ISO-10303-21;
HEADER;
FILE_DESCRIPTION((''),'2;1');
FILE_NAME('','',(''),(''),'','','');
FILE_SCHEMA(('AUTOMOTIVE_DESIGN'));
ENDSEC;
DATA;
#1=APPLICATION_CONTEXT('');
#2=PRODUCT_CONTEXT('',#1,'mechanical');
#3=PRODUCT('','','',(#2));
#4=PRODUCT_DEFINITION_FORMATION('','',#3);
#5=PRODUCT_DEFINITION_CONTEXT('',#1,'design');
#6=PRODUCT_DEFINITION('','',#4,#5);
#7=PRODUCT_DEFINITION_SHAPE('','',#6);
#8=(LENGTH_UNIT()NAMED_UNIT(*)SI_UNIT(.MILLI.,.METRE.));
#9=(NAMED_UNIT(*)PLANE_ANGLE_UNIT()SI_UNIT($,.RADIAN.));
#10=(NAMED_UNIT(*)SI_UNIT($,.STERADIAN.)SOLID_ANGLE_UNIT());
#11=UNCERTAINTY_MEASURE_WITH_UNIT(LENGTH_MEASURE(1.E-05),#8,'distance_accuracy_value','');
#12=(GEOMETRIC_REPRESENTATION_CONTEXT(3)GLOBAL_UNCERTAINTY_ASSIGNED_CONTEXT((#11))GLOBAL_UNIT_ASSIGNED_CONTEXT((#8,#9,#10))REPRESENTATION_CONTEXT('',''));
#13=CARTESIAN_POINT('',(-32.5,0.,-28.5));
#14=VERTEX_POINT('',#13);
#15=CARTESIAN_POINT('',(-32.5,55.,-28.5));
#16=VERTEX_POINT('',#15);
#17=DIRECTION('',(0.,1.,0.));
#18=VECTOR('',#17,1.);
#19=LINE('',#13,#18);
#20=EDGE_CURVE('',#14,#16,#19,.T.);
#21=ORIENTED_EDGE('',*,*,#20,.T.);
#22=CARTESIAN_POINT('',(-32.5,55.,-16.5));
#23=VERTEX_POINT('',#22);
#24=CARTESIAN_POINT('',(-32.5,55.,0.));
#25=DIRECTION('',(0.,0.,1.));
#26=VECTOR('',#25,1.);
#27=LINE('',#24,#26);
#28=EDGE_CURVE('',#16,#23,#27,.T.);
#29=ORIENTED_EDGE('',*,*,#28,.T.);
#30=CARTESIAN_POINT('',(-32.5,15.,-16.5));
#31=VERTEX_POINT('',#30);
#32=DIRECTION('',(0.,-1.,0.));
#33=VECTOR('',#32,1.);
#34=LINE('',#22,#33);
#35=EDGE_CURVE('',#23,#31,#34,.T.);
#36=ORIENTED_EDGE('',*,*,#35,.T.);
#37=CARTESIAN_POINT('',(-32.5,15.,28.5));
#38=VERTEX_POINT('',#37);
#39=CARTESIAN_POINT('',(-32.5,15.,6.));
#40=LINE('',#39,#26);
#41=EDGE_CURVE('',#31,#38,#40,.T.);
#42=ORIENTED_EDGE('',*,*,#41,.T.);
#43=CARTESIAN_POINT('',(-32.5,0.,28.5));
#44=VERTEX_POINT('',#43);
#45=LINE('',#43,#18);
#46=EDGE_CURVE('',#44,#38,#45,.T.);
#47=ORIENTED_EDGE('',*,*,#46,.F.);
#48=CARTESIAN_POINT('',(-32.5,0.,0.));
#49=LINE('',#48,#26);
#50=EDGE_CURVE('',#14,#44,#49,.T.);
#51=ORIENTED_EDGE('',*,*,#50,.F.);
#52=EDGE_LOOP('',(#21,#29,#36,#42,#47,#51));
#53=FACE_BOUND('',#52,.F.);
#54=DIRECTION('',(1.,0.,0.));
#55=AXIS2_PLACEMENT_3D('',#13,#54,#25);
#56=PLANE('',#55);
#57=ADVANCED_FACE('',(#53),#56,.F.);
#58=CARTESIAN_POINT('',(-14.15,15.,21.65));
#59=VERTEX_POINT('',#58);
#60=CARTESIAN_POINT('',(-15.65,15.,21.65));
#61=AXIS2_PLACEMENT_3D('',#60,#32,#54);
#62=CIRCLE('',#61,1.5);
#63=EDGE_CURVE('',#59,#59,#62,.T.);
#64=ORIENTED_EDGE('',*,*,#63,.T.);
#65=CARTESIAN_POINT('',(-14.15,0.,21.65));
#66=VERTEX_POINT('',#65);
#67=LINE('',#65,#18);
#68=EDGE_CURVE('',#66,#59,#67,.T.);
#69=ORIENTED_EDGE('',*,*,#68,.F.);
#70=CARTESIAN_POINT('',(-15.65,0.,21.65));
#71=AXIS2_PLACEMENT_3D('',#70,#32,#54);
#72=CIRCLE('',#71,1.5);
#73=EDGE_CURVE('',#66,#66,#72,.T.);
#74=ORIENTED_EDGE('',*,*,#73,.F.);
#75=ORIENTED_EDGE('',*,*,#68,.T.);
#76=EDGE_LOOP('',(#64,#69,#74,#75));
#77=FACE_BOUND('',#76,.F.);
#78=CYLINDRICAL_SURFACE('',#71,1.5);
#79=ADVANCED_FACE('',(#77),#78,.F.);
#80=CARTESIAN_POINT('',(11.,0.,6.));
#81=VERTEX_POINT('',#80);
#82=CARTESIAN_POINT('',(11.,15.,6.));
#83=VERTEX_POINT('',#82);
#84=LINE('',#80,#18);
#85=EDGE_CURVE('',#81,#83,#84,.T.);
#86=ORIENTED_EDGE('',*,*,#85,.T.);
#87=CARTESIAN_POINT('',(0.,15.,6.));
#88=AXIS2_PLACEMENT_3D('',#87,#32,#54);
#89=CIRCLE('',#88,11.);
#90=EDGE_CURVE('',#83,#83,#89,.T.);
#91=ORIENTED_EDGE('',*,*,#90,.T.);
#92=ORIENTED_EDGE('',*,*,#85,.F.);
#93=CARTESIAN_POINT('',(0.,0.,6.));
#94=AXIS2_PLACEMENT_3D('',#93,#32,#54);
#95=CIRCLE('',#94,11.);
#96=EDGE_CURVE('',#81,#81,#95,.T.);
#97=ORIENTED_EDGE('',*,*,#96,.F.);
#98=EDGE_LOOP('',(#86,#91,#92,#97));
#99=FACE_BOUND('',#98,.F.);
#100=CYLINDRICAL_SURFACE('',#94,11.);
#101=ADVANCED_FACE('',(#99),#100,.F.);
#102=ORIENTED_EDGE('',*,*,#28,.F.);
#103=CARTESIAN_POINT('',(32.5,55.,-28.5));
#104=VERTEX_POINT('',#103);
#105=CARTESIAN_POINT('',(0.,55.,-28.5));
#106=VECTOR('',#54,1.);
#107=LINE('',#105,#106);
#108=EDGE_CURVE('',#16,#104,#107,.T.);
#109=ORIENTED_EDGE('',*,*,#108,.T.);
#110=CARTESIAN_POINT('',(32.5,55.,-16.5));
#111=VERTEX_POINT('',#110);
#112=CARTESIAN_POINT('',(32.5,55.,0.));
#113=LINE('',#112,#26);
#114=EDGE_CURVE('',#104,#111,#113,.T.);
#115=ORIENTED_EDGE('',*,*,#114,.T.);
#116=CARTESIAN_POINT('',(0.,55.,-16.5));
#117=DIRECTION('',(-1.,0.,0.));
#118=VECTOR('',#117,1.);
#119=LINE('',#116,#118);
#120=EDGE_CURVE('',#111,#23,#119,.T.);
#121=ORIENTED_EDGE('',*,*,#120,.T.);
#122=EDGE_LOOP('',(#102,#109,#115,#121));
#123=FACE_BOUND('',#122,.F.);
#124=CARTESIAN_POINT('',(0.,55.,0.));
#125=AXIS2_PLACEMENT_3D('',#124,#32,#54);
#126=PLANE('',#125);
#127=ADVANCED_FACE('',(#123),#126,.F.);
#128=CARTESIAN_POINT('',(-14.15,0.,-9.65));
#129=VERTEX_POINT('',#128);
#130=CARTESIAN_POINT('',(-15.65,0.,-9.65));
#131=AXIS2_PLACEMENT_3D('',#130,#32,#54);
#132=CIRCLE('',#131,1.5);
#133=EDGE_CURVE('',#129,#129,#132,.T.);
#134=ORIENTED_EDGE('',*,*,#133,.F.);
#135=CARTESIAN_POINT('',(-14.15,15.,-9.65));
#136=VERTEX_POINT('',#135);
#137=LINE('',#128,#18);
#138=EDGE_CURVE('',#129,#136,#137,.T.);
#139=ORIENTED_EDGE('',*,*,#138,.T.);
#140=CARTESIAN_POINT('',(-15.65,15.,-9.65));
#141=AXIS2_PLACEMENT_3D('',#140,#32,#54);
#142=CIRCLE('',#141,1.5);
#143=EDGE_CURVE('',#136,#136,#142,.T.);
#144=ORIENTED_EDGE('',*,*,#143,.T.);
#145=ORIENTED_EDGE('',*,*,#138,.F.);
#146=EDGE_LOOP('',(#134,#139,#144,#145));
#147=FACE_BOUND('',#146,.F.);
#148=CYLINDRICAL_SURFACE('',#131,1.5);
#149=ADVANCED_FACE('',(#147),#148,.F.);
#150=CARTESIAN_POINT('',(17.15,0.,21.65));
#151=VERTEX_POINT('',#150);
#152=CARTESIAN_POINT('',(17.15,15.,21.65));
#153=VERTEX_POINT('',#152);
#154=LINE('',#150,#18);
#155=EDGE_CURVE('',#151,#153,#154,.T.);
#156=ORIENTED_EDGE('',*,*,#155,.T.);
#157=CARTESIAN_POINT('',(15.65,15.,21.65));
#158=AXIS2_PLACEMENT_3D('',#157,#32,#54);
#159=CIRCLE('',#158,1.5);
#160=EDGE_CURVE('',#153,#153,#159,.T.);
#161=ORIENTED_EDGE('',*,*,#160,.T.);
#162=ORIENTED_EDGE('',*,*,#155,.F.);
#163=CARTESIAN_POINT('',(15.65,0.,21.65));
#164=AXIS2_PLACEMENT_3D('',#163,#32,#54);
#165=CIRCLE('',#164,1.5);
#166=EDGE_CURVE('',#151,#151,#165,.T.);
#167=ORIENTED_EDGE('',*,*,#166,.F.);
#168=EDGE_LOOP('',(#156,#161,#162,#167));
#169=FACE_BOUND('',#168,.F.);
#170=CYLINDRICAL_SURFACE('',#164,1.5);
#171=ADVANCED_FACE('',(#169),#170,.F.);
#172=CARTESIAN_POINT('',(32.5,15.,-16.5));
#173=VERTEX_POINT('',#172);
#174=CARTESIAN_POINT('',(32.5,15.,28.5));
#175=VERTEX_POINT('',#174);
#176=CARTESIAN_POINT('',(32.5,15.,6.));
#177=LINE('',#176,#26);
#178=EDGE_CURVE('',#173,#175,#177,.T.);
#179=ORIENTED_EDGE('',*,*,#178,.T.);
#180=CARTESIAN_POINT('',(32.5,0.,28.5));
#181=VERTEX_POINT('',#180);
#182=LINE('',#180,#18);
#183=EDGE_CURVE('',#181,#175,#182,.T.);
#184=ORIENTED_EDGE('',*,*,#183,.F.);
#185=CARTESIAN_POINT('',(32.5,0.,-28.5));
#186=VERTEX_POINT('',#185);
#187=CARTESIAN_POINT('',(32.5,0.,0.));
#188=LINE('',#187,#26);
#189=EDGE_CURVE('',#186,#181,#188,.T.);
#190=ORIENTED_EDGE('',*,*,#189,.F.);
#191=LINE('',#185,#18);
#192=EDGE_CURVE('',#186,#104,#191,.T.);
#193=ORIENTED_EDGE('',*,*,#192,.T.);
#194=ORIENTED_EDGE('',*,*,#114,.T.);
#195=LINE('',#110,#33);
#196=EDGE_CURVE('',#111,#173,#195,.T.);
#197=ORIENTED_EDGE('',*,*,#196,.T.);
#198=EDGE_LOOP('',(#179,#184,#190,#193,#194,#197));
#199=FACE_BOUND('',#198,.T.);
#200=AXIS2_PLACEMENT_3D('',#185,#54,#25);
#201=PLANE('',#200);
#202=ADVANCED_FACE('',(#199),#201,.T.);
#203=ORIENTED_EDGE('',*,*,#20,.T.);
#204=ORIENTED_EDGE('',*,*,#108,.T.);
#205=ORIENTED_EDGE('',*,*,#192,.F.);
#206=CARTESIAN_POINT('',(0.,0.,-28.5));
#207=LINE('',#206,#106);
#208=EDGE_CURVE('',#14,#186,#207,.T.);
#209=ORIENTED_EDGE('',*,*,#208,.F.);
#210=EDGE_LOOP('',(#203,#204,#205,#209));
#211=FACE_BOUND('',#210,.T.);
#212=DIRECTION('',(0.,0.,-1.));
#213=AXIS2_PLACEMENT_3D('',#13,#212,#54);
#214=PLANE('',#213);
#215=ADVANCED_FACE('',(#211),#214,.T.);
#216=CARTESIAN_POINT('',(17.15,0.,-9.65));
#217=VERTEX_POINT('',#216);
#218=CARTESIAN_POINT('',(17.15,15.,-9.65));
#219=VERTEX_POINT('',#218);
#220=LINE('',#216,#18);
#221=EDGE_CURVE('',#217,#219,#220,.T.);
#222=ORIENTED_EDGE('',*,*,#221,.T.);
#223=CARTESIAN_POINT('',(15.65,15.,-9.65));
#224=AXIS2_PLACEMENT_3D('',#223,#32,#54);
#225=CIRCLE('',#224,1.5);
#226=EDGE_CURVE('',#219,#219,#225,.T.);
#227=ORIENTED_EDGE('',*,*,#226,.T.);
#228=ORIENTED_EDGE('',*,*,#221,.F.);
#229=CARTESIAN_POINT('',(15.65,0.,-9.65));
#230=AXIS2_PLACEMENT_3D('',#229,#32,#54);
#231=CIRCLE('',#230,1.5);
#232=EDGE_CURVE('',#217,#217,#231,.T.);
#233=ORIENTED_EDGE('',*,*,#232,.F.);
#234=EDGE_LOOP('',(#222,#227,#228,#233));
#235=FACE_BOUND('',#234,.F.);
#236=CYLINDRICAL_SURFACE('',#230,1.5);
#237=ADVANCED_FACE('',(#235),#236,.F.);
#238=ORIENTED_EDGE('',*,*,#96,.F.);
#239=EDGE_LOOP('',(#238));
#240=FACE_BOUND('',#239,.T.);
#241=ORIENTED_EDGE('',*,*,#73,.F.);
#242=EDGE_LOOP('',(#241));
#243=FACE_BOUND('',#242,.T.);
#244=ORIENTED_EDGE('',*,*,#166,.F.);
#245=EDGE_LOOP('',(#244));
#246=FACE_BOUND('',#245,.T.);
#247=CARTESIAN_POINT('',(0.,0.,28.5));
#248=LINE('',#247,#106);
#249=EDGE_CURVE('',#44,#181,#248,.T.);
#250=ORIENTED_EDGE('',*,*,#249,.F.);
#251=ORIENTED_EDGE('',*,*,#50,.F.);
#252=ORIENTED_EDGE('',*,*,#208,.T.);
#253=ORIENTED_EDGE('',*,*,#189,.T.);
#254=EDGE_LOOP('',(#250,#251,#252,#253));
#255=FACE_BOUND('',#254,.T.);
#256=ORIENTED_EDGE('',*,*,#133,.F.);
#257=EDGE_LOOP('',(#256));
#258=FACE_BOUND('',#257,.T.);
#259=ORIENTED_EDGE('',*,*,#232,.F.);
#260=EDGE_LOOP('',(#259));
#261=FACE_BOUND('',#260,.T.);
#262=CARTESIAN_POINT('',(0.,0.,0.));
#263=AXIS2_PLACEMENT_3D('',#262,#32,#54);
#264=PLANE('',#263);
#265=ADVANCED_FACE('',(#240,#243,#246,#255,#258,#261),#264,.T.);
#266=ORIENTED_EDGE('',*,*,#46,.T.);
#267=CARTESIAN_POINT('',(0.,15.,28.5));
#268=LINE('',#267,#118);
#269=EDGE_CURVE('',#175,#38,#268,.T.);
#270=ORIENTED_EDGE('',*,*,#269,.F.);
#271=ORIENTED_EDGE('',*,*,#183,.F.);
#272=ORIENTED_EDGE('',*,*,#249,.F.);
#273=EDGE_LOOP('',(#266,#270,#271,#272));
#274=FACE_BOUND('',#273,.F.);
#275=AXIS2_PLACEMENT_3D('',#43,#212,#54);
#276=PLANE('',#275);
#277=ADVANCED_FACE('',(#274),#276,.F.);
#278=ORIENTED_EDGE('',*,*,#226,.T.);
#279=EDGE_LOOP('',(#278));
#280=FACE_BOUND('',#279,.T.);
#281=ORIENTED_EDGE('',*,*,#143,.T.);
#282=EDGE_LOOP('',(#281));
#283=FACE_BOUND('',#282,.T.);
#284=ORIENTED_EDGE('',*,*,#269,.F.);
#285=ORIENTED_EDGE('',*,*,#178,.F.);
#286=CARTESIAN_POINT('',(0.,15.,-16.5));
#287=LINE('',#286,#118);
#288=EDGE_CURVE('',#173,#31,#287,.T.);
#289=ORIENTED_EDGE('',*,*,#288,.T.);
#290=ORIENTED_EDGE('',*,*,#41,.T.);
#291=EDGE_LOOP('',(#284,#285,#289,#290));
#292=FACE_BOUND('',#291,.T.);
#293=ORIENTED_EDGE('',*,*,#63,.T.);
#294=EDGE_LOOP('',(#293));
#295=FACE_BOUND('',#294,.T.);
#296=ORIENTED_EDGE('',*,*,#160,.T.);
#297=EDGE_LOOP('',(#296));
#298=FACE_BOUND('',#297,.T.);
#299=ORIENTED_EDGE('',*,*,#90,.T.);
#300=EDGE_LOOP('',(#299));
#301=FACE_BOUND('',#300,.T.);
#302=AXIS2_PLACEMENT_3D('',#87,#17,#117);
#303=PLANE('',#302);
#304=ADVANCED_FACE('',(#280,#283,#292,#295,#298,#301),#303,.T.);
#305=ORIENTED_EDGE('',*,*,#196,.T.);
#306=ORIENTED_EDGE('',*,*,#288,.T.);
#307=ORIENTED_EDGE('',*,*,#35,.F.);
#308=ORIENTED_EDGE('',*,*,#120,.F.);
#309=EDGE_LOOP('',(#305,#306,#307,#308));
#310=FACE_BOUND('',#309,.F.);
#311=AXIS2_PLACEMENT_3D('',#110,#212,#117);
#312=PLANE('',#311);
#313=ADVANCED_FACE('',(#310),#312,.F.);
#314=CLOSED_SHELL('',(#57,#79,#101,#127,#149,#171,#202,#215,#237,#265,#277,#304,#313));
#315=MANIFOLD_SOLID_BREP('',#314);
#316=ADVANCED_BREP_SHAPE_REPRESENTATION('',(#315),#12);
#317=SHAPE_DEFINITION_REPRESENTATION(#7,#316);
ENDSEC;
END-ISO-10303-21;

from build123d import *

# Parameters (mm, degrees)
F0_W      = 65
F0_H      = 57
F1_DEPTH  = 55
F2_W      = 65
F2_H      = 45
F3_DEPTH  = 40
F4_R      = 11
F5_DEPTH  = 15
F6_R      = 1.5
F10_DEPTH = 15
F7_R      = 1.5
F11_DEPTH = 15
F8_R      = 1.5
F12_DEPTH = 15
F9_R      = 1.5
F13_DEPTH = 15


with BuildPart() as f1:
    # F0 (on Front) → F1 (new body)
    with BuildSketch(Plane.XZ):
        Rectangle(F0_W, F0_H)
    extrude(amount=-F1_DEPTH)

    # F2 (on face) → F3 (cut)
    with BuildSketch(Plane(origin=(0, 55, 0), x_dir=(-1, 0, 0), z_dir=(0, 1, 0))):
        with Locations((0, 6)):
            Rectangle(F2_W, F2_H)
    extrude(amount=-F3_DEPTH, mode=Mode.SUBTRACT)

    # F4 (on face) → F5 (cut)
    with BuildSketch(Plane.XZ):
        with Locations((0, 6)):
            Circle(F4_R)
    extrude(amount=-F5_DEPTH, mode=Mode.SUBTRACT)

    # F6 (on face) → F10 (cut)
    with BuildSketch(Plane.XZ):
        with Locations((15.65, 21.65)):
            Circle(F6_R)
    extrude(amount=-F10_DEPTH, mode=Mode.SUBTRACT)

    # F7 (on face) → F11 (cut)
    with BuildSketch(Plane.XZ):
        with Locations((-15.65, 21.65)):
            Circle(F7_R)
    extrude(amount=-F11_DEPTH, mode=Mode.SUBTRACT)

    # F8 (on face) → F12 (cut)
    with BuildSketch(Plane.XZ):
        with Locations((15.65, -9.65)):
            Circle(F8_R)
    extrude(amount=-F12_DEPTH, mode=Mode.SUBTRACT)

    # F9 (on face) → F13 (cut)
    with BuildSketch(Plane.XZ):
        with Locations((-15.65, -9.65)):
            Circle(F9_R)
    extrude(amount=-F13_DEPTH, mode=Mode.SUBTRACT)


solid = f1.part
